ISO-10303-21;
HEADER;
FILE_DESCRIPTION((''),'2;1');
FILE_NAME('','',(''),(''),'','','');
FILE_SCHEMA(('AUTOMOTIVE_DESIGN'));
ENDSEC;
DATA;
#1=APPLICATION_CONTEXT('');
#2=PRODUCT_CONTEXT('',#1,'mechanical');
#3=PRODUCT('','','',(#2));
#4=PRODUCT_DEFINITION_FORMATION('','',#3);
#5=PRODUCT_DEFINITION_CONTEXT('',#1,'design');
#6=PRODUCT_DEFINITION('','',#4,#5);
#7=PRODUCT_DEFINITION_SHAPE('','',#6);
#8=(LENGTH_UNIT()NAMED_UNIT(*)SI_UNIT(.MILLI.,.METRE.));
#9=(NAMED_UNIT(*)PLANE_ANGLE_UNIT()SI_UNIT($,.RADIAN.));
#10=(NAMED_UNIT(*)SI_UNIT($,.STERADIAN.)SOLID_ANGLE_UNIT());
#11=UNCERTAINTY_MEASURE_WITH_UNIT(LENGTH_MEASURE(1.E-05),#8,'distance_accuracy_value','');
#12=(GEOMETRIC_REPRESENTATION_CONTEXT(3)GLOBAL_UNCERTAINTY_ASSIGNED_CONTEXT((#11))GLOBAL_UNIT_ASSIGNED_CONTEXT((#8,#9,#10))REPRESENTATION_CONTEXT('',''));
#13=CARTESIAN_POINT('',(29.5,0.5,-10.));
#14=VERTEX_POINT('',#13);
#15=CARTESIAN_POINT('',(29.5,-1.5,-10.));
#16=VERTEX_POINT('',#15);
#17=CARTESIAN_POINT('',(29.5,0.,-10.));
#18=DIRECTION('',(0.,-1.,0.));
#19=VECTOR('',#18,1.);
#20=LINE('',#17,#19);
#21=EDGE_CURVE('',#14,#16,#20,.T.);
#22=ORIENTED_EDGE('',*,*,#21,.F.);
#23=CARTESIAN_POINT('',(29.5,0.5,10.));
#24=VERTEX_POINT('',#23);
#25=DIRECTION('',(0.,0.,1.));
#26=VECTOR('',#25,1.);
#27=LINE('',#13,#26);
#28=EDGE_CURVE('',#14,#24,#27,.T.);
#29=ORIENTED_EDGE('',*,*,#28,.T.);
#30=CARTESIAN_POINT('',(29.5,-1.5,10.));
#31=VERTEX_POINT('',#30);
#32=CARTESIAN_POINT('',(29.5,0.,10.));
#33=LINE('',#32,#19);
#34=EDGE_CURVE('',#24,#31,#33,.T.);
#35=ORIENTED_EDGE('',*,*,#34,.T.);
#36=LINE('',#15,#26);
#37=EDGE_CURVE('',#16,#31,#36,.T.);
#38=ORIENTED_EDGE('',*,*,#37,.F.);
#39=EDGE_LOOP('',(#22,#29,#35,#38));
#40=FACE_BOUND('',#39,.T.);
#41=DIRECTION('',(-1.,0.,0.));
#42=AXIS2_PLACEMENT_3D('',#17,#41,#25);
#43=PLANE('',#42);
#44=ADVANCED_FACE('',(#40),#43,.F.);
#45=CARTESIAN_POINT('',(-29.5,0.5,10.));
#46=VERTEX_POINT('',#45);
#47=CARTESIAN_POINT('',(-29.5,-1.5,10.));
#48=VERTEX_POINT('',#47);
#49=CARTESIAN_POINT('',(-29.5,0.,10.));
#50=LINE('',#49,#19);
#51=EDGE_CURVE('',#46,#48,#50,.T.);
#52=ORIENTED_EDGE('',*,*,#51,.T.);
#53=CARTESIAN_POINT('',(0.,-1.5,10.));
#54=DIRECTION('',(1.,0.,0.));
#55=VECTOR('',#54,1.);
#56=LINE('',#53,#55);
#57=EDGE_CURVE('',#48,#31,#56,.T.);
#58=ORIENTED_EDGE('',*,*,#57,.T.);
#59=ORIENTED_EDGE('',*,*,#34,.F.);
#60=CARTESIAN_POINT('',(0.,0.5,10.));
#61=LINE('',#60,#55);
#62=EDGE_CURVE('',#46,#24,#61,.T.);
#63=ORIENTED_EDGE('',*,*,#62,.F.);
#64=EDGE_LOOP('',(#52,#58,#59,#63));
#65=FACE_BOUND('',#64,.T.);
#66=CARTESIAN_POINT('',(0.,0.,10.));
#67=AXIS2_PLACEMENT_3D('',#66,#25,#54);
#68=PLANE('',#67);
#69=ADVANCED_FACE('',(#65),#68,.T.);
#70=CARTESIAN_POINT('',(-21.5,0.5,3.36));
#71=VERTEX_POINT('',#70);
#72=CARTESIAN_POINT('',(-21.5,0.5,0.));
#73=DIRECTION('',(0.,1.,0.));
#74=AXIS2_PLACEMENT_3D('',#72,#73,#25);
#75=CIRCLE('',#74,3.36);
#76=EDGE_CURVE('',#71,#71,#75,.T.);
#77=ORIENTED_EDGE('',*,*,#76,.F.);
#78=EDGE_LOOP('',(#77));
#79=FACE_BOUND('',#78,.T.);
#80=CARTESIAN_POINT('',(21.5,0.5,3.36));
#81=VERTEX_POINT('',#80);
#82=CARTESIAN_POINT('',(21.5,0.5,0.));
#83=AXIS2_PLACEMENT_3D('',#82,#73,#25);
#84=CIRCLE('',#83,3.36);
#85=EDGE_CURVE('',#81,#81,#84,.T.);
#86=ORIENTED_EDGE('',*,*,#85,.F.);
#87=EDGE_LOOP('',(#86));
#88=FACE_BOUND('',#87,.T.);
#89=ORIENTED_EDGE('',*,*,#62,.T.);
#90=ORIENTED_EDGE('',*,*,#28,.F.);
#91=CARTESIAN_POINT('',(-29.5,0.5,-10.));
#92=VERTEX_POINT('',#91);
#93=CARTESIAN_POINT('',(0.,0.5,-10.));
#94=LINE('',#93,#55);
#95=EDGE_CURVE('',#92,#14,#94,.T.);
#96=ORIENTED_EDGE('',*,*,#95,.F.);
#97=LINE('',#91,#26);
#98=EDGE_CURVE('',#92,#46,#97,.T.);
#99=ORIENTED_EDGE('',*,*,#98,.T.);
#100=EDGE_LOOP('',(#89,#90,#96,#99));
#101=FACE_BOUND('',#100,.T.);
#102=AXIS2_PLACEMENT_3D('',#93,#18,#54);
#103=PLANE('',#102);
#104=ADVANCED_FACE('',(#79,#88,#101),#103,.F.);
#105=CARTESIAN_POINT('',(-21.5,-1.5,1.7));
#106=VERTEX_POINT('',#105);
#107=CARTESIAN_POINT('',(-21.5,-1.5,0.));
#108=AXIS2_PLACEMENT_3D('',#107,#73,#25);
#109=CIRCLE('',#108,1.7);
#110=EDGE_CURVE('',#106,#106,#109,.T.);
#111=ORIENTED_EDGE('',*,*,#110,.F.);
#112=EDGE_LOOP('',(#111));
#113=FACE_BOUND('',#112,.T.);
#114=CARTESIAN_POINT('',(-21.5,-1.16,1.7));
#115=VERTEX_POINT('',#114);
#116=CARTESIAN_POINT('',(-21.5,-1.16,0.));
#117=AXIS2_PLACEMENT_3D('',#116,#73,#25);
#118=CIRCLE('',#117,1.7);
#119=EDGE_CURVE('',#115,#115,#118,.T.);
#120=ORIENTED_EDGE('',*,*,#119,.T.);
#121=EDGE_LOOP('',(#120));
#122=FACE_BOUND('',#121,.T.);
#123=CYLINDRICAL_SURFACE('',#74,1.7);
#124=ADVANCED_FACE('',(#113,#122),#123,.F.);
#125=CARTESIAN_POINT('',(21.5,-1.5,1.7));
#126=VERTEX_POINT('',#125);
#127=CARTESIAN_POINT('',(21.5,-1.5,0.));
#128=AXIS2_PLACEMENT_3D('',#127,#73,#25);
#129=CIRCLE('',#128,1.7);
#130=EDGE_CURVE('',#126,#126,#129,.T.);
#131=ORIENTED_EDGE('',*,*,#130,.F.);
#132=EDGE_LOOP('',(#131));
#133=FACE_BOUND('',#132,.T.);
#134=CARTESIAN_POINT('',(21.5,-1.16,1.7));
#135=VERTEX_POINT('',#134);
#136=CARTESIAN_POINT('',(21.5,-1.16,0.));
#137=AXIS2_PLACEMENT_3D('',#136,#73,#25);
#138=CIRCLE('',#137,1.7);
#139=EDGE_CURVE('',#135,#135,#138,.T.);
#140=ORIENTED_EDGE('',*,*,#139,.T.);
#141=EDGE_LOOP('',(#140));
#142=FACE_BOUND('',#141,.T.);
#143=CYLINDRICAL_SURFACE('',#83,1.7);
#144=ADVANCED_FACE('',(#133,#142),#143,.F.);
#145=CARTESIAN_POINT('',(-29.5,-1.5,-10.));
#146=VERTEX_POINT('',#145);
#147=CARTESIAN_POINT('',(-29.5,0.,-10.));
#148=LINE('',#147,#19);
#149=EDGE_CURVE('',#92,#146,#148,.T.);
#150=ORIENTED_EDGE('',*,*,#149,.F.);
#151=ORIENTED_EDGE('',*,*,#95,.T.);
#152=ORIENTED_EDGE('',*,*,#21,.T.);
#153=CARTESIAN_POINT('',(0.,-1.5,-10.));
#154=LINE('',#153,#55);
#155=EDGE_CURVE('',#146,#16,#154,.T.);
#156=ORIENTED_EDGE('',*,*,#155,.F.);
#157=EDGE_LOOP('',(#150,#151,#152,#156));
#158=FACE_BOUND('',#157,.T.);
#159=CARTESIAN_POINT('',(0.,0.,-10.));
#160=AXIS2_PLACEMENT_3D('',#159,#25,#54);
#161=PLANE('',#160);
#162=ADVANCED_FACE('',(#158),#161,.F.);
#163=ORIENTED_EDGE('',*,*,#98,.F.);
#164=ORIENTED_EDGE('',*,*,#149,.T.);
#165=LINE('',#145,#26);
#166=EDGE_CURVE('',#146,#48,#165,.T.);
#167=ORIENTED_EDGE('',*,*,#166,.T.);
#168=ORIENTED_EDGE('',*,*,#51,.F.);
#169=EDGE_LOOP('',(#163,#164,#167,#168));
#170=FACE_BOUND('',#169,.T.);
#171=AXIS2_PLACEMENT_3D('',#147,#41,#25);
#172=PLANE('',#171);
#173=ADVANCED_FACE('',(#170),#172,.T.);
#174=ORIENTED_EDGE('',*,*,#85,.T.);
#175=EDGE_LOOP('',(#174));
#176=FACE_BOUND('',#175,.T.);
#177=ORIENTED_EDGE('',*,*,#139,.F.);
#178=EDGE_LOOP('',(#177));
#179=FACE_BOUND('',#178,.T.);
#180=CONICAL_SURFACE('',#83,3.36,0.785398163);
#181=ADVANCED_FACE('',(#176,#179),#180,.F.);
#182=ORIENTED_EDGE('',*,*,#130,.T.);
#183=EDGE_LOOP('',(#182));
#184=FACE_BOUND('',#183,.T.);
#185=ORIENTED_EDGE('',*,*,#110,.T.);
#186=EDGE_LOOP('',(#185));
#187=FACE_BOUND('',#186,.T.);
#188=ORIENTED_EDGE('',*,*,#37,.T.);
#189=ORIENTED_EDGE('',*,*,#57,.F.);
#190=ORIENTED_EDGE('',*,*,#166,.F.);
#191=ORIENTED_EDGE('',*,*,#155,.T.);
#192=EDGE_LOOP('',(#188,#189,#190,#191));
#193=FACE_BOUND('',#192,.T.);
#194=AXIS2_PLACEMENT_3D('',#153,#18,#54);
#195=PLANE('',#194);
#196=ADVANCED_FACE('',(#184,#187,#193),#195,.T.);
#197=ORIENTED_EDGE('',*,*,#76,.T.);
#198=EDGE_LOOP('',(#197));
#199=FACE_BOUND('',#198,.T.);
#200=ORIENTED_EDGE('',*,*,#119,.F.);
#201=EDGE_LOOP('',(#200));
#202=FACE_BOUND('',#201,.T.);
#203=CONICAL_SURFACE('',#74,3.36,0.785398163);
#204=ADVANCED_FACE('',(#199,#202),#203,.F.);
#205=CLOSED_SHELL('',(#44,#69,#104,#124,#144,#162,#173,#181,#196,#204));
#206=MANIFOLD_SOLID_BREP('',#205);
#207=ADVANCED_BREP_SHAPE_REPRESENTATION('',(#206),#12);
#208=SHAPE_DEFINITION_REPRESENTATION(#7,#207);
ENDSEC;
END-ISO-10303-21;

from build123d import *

# Parameters (mm, degrees)
EXTRUDE_765_DEPTH           = 10
EXTRUDE_765_DEPTH_BACK      = 10
HOLE_WIZARD_M3_2_AT_2_COUNT = 2
HOLE_WIZARD_M3_2_AT_2_PITCH = 43


with BuildPart() as part:
    # Sketch 1 → Extrude 765 (new, two sides: drawn at the far end of the back side and taken through both)
    with BuildSketch(Plane.XY.offset(-EXTRUDE_765_DEPTH_BACK)):
        Polygon((29.5, 0.5), (-29.5, 0.5), (-29.5, -1.5), (-13.5, -1.5), (13.5, -1.5), (29.5, -1.5), align=None)
        Polygon((29.5, 0.5), (-29.5, 0.5), (-29.5, -1.5), (-13.5, -1.5), (13.5, -1.5), (29.5, -1.5), align=None)
        Polygon((29.5, 0.5), (-29.5, 0.5), (-29.5, -1.5), (-13.5, -1.5), (13.5, -1.5), (29.5, -1.5), align=None)
        Polygon((29.5, 0.5), (-29.5, 0.5), (-29.5, -1.5), (-13.5, -1.5), (13.5, -1.5), (29.5, -1.5), align=None)
    extrude(amount=EXTRUDE_765_DEPTH + EXTRUDE_765_DEPTH_BACK)

    # 草图9 → M3*2 沉头孔 (revolve, cut)
    with BuildSketch(Plane(origin=(-21.5, 0.5, 0), x_dir=(0, 0, 1), z_dir=(1, 0, 0))):
        Polygon((0, 0), (0, 2), (1.7, 2), (1.7, 1.66), (3.36, 0), align=None)
    hole_wizard_m3_2 = revolve(axis=Axis((-21.5, 6.85, 0), (0, -1, 0)), mode=Mode.SUBTRACT)

    # M3*2 沉头孔 at 2: M3*2 沉头孔 ×2
    with Locations(*[(i * HOLE_WIZARD_M3_2_AT_2_PITCH, 0, 0) for i in range(1, HOLE_WIZARD_M3_2_AT_2_COUNT)]):
        add(hole_wizard_m3_2, mode=Mode.SUBTRACT)


solid = part.part
